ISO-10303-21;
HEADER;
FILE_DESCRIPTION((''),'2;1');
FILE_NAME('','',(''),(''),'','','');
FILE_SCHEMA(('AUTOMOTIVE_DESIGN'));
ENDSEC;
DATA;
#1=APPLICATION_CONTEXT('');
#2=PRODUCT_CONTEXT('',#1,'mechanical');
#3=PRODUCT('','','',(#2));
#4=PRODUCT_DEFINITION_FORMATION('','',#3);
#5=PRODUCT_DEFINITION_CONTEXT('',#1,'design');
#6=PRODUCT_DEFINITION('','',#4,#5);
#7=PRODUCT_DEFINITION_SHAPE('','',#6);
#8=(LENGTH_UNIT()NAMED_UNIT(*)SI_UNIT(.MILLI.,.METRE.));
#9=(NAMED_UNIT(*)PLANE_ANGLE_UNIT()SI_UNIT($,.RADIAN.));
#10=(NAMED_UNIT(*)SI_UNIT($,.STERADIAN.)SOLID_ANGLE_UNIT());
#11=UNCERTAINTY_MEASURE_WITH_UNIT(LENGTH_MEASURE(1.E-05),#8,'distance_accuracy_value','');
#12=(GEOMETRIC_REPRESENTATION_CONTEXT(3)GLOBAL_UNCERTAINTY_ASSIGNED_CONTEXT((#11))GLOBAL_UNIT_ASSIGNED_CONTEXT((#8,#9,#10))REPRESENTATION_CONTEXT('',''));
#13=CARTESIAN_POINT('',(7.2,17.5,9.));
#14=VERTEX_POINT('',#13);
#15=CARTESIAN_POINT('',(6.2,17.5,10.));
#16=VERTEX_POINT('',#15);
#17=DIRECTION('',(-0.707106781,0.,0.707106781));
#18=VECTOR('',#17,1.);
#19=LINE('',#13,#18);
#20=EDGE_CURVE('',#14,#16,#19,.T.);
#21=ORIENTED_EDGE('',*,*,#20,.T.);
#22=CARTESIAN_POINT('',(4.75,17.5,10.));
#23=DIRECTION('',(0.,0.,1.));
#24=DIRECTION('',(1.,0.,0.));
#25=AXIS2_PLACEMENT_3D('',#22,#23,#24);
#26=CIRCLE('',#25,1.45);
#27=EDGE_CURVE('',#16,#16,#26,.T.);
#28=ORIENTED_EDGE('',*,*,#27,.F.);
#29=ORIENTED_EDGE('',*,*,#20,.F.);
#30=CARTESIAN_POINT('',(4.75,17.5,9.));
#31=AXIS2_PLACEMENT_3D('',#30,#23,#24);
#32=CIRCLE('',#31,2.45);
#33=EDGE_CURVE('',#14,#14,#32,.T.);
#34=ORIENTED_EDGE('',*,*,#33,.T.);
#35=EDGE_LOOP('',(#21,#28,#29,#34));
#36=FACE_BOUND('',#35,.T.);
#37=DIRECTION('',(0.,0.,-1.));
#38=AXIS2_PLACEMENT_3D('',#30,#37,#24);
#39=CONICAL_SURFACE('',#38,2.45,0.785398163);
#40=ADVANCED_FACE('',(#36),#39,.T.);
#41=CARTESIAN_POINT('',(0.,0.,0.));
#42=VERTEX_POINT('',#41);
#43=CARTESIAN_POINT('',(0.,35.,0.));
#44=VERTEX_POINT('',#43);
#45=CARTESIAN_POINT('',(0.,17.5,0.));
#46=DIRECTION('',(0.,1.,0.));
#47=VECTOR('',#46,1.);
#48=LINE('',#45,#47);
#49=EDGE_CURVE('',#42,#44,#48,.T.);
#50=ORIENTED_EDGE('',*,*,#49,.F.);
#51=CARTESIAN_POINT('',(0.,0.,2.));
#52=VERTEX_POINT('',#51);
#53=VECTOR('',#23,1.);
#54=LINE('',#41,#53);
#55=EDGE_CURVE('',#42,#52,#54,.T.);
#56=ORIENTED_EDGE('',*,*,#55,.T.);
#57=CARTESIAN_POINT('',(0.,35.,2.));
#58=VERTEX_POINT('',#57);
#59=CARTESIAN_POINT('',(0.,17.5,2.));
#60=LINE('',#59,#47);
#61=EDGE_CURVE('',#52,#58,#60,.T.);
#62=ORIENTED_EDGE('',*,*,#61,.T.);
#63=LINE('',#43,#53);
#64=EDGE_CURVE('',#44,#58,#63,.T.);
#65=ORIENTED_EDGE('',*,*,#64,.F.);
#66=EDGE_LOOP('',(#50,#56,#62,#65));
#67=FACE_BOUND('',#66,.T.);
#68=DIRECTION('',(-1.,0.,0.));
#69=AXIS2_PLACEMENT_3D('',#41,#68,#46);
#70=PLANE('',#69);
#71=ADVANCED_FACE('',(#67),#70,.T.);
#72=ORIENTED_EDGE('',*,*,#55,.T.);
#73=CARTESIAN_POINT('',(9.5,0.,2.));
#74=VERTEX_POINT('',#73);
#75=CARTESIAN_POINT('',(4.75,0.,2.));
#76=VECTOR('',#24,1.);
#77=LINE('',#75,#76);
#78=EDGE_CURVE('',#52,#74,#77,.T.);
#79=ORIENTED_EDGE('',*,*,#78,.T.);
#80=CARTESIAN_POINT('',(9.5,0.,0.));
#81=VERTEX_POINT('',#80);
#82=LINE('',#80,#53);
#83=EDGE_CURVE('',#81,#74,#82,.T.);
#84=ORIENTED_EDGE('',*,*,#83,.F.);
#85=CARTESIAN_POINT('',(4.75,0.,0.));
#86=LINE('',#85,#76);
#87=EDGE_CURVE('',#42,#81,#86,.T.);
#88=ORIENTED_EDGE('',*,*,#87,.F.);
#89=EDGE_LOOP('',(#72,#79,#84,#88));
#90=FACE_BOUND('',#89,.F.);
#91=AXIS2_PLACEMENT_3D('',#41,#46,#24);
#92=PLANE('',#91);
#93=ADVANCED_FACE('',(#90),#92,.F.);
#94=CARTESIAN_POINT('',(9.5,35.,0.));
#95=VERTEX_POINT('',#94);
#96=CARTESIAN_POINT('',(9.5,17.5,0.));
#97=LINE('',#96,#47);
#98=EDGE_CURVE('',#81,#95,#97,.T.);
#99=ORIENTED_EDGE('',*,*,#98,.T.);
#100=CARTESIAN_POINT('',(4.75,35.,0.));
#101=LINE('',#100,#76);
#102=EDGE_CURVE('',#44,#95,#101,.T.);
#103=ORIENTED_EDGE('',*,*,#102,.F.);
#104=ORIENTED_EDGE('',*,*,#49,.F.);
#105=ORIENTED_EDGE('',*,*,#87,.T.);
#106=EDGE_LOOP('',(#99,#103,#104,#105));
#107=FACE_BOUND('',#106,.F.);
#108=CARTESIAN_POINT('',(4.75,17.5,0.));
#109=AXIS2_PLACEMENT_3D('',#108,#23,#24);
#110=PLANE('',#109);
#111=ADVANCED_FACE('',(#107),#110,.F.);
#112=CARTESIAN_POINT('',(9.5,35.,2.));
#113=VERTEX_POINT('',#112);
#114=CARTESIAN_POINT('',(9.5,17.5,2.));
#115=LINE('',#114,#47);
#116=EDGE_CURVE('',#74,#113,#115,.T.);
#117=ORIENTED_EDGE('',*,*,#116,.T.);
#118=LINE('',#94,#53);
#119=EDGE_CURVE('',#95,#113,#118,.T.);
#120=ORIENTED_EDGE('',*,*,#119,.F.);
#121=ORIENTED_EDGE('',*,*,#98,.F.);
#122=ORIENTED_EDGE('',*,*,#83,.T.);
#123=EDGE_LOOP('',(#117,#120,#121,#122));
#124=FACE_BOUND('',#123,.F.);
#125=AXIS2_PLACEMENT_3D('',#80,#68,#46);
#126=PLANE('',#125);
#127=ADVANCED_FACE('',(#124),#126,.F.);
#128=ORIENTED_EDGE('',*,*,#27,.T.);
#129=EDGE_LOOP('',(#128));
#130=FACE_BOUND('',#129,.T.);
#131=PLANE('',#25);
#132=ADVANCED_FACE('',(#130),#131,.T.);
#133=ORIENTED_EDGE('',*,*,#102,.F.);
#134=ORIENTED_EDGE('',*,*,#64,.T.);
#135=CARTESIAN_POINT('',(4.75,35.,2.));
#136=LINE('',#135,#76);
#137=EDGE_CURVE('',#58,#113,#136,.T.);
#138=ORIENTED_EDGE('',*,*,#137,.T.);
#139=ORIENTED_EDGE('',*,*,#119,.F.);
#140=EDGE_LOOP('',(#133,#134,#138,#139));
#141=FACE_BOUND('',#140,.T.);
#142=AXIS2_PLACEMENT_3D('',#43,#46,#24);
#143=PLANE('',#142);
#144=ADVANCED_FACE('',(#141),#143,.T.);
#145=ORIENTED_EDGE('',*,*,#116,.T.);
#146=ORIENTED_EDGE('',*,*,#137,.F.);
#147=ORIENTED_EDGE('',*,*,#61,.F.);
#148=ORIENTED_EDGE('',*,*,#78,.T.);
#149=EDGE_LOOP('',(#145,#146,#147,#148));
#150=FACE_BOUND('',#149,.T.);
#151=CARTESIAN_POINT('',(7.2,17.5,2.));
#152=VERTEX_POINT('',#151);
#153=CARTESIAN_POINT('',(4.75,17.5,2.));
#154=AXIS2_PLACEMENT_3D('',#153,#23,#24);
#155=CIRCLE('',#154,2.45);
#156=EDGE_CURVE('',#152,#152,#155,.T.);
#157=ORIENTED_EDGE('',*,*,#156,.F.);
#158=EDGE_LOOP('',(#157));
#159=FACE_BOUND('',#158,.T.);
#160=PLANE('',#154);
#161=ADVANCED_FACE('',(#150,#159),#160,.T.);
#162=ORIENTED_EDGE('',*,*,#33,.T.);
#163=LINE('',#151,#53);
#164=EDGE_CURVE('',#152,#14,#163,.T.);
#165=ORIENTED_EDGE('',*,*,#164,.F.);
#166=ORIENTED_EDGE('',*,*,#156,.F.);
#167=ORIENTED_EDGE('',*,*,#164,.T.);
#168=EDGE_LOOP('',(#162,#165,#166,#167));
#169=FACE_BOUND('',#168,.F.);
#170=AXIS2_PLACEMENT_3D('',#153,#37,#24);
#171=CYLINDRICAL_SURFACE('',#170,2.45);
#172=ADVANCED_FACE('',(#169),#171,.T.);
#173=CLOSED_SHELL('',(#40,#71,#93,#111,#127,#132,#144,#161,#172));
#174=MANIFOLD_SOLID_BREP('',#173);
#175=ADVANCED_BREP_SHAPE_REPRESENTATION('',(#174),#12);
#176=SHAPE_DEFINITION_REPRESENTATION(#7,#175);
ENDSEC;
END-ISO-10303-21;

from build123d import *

# Parameters (mm, degrees)
F0_W     = 9.5
F0_H     = 35
F1_DEPTH = 2
F2_R     = 2.45
F3_DEPTH = 8
F4_SIZE  = 1


with BuildPart() as f1:
    # F0 (on Top) → F1 (new body)
    with BuildSketch(Plane.XY):
        with Locations((4.75, 17.5)):
            Rectangle(F0_W, F0_H)
    extrude(amount=F1_DEPTH)

    # F2 (on face) → F3 (join)
    with BuildSketch(Plane.XY.offset(2)):
        with Locations((4.75, 17.5)):
            Circle(F2_R)
    extrude(amount=F3_DEPTH)

    # F4
    f4_edges = [f1.edges().sort_by_distance(p)[0] for p in [
        (2.3, 17.5, 10),
    ]]
    chamfer(f4_edges, length=F4_SIZE)


solid = f1.part
